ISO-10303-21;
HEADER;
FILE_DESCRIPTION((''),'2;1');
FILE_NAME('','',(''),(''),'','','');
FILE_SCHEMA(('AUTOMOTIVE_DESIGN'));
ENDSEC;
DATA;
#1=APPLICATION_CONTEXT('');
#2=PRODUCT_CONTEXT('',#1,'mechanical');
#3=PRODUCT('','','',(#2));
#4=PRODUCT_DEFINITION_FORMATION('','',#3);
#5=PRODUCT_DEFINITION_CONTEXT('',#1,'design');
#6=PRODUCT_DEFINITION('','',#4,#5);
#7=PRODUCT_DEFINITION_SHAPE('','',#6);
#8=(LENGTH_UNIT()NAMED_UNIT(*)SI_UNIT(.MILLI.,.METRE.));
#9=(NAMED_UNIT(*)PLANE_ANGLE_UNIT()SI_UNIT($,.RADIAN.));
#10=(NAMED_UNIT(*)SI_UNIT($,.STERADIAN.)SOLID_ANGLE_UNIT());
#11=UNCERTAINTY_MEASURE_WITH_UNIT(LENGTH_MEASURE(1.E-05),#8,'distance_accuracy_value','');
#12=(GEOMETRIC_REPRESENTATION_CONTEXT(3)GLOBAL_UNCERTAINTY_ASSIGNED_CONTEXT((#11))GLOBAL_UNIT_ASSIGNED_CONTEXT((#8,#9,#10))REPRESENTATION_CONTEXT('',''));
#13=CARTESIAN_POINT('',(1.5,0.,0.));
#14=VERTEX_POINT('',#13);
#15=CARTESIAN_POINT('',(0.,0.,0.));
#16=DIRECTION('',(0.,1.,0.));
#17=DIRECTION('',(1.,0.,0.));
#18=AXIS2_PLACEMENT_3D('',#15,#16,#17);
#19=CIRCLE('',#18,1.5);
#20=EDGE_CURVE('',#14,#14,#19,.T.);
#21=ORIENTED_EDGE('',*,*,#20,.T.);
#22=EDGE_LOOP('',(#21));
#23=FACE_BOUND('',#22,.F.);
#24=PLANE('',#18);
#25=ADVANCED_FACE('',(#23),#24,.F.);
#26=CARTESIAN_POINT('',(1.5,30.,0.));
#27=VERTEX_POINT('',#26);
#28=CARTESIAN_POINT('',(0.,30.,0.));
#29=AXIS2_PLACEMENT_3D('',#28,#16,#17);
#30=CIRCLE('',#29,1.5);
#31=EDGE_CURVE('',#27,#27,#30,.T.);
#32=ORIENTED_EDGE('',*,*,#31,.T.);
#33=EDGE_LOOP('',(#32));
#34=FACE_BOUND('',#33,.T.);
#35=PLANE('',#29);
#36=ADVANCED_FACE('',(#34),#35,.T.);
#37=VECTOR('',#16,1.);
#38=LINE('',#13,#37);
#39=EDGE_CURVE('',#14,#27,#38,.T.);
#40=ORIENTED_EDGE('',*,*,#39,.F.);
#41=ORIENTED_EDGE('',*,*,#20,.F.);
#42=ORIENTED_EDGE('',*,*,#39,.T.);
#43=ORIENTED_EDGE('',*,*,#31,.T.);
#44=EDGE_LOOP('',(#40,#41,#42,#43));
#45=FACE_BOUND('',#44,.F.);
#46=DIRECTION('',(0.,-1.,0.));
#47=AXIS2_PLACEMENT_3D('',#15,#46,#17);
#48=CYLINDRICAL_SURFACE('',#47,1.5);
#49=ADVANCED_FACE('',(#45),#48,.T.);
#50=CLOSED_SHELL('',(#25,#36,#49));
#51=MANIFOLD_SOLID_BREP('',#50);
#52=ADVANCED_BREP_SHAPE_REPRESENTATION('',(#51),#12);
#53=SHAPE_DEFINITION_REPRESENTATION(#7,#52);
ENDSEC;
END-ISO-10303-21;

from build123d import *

# Parameters (mm, degrees)
SKETCH1_R           = 1.5
BOSS_EXTRUDE1_DEPTH = 30


with BuildPart() as part:
    # Sketch1 → Boss-Extrude1 (new body)
    with BuildSketch(Plane(origin=(0, 0, 0), x_dir=(1, 0, 0), z_dir=(0, 1, 0))):
        Circle(SKETCH1_R)
    extrude(amount=BOSS_EXTRUDE1_DEPTH)


solid = part.part
